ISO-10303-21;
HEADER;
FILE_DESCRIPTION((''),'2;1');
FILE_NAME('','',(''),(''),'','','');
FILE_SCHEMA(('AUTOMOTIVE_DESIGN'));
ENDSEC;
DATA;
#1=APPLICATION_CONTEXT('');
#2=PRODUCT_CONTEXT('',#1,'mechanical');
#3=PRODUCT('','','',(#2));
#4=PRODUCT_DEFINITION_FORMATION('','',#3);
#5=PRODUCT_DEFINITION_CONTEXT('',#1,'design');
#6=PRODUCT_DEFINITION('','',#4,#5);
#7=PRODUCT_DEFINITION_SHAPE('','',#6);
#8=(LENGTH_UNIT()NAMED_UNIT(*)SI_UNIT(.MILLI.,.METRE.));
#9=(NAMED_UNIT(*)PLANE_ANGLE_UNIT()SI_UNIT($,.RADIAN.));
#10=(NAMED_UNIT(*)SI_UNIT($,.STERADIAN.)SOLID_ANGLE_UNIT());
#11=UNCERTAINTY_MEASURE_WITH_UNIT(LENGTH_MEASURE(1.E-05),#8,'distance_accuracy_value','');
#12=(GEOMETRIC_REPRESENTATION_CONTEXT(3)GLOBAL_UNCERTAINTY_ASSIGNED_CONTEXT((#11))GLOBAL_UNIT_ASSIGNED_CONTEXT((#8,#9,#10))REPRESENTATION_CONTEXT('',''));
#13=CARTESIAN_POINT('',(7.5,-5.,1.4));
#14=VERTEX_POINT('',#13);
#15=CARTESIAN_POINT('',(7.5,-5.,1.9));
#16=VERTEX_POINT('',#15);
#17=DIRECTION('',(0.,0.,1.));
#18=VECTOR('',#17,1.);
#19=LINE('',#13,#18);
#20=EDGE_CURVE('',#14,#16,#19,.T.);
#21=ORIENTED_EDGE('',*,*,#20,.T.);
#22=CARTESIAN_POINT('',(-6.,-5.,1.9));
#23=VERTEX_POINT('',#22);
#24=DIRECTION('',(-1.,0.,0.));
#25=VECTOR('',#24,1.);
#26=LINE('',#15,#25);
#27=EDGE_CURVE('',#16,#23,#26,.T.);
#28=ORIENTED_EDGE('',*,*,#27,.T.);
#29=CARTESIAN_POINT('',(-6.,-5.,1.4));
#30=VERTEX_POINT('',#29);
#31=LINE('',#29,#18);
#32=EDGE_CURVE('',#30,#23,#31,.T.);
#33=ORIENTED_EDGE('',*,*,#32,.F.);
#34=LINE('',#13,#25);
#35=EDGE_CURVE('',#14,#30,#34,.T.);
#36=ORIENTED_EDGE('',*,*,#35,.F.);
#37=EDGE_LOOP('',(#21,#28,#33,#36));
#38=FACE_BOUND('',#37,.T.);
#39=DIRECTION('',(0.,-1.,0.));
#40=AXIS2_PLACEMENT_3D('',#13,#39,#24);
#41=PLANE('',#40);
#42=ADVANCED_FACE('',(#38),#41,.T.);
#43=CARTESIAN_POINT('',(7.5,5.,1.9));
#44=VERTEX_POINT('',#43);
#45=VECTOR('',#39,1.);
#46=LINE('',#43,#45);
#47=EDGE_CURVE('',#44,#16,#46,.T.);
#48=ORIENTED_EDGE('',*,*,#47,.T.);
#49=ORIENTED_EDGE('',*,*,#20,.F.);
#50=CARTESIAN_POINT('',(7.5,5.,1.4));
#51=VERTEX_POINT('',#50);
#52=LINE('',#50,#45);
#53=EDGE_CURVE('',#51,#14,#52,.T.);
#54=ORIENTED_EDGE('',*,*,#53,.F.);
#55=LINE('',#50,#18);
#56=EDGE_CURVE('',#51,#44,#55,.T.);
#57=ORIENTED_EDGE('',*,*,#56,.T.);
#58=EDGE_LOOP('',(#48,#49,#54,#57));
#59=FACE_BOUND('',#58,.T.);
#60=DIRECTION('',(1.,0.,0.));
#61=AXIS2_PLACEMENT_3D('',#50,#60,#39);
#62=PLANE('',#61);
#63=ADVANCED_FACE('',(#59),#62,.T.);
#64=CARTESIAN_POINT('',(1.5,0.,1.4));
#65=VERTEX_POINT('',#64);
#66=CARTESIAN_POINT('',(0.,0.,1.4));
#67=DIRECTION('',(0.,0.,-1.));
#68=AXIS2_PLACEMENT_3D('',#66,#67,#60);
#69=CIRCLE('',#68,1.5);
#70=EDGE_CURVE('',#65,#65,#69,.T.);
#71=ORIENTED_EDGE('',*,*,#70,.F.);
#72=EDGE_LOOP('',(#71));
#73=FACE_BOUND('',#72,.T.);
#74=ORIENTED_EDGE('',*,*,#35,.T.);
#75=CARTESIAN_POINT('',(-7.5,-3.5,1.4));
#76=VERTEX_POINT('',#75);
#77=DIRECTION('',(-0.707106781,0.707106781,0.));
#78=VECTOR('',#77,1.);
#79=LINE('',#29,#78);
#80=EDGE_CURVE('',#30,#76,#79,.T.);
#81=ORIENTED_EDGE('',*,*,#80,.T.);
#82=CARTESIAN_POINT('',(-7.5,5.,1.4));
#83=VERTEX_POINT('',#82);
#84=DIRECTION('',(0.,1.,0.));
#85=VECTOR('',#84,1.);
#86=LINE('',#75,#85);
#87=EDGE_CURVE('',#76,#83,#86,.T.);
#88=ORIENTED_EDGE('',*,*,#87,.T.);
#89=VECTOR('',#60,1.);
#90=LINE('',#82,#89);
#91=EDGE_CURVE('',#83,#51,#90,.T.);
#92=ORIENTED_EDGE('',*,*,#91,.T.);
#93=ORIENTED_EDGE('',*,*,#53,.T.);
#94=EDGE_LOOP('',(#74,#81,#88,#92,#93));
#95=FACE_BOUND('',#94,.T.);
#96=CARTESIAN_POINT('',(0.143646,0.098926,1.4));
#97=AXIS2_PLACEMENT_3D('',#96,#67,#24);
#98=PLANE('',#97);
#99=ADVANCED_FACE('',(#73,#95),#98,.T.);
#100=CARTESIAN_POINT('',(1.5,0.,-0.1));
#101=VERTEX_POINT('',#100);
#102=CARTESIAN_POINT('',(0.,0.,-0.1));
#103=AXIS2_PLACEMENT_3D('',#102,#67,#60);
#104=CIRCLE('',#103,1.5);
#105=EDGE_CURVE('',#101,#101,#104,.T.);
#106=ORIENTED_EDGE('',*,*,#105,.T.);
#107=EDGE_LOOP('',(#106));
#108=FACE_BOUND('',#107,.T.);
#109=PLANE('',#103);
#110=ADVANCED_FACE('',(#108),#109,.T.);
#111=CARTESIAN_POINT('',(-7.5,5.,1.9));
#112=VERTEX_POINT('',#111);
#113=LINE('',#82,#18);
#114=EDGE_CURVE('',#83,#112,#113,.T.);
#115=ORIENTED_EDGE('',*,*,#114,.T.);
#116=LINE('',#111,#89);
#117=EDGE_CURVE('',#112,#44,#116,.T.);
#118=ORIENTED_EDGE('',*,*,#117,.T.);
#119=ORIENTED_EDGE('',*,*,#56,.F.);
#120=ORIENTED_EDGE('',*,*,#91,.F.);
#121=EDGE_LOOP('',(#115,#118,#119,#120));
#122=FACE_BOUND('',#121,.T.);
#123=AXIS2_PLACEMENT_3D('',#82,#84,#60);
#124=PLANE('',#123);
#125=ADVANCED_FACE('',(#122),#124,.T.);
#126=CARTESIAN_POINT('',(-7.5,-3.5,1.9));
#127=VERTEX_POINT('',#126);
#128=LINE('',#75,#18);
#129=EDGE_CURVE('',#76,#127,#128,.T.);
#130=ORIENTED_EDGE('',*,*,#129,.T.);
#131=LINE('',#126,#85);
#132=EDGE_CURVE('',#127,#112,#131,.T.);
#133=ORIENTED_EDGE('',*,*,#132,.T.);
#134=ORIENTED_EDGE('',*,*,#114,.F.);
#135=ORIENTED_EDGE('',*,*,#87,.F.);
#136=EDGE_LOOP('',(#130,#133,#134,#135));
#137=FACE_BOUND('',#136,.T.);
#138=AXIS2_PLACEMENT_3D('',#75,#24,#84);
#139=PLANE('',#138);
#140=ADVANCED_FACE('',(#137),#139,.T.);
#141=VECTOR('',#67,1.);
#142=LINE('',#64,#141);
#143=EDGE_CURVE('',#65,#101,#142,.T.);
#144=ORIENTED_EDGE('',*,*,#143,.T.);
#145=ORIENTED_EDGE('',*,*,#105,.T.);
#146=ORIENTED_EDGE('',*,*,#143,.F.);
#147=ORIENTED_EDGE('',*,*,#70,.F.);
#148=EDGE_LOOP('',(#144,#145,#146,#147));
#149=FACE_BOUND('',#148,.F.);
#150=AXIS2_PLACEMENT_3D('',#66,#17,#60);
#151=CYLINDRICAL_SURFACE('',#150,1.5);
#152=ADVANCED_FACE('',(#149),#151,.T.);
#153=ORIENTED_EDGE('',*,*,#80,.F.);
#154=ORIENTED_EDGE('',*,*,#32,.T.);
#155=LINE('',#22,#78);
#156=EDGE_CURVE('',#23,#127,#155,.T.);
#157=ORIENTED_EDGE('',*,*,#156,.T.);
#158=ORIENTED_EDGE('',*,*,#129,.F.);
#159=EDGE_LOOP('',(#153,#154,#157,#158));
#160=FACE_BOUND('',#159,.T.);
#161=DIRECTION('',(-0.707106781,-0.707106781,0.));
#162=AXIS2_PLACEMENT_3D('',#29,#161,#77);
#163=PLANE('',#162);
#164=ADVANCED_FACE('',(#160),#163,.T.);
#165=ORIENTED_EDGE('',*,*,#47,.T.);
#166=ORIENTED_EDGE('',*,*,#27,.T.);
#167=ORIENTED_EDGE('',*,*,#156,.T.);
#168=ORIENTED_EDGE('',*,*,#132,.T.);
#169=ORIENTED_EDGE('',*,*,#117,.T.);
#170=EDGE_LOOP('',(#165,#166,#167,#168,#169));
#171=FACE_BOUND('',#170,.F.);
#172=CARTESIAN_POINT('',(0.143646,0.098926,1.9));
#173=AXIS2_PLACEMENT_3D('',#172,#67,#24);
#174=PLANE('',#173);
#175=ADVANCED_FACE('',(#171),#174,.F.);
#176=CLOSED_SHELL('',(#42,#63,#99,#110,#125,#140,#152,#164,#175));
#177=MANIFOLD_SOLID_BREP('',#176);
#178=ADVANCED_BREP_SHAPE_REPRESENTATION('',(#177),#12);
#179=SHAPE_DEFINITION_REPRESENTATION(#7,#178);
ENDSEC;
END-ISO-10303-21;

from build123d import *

# Parameters (mm, degrees)
PAD_DEPTH    = 0.5
SKETCH_R     = 1.5
PAD001_DEPTH = 1.5


with BuildPart() as part:
    # Sketch002 → Pad (new body)
    with BuildSketch(Plane.XY.offset(1.4)):
        Polygon((-7.5, 5), (7.5, 5), (7.5, -5), (-6, -5), (-7.5, -3.5), align=None)
    extrude(amount=PAD_DEPTH)

    # Sketch (on Face6 of Pad) → Pad001 (join)
    with BuildSketch(Plane(origin=(0, 0, 1.4), x_dir=(1, 0, 0), z_dir=(0, 0, -1))):
        Circle(SKETCH_R)
    extrude(amount=PAD001_DEPTH)


solid = part.part
